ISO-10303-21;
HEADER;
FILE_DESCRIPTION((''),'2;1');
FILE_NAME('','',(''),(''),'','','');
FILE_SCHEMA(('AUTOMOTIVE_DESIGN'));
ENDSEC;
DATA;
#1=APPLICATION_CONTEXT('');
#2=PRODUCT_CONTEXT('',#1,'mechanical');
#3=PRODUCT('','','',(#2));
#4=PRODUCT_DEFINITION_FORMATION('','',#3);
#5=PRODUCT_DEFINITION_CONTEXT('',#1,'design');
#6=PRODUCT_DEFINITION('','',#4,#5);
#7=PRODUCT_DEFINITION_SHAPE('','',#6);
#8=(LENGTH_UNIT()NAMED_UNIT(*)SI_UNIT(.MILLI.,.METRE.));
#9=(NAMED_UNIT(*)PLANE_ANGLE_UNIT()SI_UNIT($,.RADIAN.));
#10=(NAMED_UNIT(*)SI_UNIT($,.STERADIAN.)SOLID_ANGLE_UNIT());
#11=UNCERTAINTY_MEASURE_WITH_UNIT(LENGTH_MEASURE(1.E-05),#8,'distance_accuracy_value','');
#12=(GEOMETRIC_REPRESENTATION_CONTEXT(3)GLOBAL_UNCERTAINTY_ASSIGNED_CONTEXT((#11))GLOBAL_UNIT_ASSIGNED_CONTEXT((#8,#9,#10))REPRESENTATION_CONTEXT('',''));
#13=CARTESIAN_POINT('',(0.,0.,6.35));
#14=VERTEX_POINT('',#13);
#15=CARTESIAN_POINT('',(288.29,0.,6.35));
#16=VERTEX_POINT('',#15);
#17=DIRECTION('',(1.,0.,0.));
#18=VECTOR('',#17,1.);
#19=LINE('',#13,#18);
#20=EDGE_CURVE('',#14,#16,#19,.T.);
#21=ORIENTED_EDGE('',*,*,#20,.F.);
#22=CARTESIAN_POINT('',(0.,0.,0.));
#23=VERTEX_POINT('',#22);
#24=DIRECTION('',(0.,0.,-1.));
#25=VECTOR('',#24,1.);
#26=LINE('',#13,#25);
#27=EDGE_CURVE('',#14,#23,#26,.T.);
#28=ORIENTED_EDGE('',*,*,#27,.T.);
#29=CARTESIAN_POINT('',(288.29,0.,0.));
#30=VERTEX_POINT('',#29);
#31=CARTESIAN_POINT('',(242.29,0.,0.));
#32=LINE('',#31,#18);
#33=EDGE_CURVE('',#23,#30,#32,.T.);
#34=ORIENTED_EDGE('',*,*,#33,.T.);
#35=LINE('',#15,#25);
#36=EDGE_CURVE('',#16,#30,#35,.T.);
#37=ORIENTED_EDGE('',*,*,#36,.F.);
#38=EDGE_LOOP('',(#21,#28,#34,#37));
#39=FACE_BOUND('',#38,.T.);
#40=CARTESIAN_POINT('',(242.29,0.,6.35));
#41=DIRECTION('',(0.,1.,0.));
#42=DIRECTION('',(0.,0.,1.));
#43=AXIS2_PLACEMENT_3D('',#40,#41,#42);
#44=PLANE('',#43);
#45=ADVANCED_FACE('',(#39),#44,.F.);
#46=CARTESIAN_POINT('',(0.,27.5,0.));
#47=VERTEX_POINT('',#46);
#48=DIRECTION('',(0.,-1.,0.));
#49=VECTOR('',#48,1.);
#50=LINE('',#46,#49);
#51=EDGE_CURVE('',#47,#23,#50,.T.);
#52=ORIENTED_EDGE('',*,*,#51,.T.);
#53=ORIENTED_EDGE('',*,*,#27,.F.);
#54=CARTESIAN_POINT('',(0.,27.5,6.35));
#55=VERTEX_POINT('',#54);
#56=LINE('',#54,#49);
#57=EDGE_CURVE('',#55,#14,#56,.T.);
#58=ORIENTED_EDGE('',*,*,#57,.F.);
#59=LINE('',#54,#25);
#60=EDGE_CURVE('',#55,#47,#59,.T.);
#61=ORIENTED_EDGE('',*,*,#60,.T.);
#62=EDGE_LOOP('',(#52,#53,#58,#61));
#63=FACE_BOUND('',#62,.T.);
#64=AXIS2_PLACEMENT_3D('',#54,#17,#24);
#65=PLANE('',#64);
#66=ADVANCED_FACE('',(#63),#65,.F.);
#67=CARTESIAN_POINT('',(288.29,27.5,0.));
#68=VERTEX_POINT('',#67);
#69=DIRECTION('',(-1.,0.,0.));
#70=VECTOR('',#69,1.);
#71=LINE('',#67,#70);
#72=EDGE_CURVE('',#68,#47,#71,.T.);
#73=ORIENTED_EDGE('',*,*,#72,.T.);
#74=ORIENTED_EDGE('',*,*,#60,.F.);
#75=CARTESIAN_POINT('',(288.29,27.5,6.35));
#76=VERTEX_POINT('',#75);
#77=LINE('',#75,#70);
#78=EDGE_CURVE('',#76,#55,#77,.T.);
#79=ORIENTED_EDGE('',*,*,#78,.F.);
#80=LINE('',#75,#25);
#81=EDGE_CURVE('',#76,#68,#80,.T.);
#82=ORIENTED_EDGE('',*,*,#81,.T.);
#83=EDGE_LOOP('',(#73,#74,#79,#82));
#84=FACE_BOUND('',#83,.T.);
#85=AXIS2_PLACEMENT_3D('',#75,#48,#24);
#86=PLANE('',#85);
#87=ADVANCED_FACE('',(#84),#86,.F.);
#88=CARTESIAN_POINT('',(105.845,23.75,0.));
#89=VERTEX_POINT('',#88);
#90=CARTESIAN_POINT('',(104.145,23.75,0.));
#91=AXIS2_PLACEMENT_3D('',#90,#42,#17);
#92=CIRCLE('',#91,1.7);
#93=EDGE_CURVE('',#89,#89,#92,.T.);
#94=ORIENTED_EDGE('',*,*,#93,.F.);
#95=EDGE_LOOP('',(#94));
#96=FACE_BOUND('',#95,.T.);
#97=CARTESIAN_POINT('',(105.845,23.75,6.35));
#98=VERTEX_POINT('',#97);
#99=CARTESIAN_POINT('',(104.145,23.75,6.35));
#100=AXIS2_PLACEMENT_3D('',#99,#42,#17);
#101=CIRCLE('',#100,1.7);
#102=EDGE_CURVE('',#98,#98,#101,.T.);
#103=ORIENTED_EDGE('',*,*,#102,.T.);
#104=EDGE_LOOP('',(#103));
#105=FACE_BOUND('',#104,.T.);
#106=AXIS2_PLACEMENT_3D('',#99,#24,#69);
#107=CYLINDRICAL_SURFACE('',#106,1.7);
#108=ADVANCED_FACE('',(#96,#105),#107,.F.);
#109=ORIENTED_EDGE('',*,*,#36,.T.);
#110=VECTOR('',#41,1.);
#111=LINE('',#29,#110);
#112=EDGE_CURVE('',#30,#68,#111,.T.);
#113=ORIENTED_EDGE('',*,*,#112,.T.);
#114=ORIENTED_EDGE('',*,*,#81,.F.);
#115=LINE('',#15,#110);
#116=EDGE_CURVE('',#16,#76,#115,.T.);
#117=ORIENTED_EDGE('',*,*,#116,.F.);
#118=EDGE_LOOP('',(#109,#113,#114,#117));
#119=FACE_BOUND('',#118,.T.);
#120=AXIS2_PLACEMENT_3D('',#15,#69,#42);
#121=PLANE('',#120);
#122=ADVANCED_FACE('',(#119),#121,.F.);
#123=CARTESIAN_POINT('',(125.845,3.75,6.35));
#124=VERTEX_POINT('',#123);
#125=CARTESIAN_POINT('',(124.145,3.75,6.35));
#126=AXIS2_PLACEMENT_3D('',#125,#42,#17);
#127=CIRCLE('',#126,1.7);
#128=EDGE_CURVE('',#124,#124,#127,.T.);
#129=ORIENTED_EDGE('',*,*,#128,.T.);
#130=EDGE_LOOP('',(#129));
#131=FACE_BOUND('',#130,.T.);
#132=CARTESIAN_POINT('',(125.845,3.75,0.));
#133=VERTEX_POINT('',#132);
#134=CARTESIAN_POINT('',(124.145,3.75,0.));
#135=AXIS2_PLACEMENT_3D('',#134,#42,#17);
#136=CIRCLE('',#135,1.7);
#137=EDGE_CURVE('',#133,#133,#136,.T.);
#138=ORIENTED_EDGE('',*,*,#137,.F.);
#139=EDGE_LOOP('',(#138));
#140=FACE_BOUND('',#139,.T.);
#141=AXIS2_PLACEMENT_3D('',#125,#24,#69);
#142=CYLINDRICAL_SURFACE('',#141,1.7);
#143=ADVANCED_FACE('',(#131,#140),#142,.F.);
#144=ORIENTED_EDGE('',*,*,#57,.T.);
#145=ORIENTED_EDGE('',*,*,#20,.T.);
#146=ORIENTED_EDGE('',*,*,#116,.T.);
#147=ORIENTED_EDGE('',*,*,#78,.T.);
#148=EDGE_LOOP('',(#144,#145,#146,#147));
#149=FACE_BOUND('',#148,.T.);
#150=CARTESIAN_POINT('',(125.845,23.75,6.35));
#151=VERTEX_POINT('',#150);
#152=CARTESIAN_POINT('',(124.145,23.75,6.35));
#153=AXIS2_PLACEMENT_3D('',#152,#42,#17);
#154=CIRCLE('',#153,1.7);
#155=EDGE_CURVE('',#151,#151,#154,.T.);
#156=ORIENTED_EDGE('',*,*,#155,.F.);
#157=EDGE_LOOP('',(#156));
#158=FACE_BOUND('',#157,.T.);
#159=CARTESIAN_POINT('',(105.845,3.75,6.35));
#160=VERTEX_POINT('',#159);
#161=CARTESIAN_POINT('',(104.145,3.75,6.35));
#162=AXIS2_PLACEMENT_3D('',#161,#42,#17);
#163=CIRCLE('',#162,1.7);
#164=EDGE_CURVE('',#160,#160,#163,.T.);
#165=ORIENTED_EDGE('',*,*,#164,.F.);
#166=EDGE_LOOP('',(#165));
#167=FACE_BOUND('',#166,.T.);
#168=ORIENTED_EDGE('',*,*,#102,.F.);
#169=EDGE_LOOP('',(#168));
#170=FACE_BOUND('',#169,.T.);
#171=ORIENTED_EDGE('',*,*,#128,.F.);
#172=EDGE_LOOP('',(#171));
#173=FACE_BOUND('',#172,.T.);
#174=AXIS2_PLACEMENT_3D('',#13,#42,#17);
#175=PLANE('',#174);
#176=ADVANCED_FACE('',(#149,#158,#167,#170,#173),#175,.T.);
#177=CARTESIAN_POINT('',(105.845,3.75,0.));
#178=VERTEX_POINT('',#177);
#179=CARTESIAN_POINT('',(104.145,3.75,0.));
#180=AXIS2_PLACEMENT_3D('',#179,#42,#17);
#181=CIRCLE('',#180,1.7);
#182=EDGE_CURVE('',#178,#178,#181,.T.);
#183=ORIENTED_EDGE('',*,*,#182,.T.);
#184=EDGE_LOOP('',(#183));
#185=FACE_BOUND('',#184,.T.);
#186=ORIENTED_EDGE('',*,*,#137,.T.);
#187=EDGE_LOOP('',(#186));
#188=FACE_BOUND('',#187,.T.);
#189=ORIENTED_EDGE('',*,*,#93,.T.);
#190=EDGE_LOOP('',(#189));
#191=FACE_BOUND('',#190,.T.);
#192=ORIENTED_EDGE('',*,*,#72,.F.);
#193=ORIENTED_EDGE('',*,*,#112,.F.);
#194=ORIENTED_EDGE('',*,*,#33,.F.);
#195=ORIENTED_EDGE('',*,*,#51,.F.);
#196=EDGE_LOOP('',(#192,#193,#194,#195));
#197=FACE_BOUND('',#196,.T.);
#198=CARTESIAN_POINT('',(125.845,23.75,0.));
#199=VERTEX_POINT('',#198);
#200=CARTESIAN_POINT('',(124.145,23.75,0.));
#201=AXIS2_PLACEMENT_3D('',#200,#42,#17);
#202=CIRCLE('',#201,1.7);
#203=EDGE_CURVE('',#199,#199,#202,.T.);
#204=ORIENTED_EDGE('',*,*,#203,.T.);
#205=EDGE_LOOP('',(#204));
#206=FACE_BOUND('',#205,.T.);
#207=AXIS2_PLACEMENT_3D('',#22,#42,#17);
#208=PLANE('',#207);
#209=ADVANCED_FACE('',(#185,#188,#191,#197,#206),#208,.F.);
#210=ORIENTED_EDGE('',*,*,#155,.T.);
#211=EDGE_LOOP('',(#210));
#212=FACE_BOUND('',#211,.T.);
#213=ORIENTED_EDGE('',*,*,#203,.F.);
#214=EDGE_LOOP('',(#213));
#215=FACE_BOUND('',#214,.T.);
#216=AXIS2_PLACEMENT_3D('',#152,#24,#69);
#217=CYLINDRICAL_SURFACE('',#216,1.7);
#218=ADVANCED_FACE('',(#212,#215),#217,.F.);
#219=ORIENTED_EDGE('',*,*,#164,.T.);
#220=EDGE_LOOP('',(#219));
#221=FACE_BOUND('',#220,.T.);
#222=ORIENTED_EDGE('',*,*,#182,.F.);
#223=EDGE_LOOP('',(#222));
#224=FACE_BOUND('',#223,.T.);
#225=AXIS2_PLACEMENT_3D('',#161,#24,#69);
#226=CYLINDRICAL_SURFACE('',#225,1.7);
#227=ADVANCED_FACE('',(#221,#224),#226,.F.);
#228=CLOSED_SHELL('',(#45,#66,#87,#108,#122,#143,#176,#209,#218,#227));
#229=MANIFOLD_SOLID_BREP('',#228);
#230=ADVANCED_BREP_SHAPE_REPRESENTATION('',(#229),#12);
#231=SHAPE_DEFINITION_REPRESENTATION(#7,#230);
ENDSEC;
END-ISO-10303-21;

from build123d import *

# Parameters (mm, degrees)
SKETCH1_R           = 1.7
BOSS_EXTRUDE1_DEPTH = 6.35


with BuildPart() as part:
    # Sketch1 → Boss-Extrude1 (new body)
    with BuildSketch(Plane.XY):
        Polygon((242.29, 0), (288.29, 0), (288.29, 27.5), (0, 27.5), (0, 0), align=None)
        with Locations((104.145, 3.75)):
            Circle(SKETCH1_R, mode=Mode.SUBTRACT)
        with Locations((124.145, 3.75)):
            Circle(SKETCH1_R, mode=Mode.SUBTRACT)
        with Locations((124.145, 23.75)):
            Circle(SKETCH1_R, mode=Mode.SUBTRACT)
        with Locations((104.145, 23.75)):
            Circle(SKETCH1_R, mode=Mode.SUBTRACT)
    extrude(amount=BOSS_EXTRUDE1_DEPTH)


solid = part.part
